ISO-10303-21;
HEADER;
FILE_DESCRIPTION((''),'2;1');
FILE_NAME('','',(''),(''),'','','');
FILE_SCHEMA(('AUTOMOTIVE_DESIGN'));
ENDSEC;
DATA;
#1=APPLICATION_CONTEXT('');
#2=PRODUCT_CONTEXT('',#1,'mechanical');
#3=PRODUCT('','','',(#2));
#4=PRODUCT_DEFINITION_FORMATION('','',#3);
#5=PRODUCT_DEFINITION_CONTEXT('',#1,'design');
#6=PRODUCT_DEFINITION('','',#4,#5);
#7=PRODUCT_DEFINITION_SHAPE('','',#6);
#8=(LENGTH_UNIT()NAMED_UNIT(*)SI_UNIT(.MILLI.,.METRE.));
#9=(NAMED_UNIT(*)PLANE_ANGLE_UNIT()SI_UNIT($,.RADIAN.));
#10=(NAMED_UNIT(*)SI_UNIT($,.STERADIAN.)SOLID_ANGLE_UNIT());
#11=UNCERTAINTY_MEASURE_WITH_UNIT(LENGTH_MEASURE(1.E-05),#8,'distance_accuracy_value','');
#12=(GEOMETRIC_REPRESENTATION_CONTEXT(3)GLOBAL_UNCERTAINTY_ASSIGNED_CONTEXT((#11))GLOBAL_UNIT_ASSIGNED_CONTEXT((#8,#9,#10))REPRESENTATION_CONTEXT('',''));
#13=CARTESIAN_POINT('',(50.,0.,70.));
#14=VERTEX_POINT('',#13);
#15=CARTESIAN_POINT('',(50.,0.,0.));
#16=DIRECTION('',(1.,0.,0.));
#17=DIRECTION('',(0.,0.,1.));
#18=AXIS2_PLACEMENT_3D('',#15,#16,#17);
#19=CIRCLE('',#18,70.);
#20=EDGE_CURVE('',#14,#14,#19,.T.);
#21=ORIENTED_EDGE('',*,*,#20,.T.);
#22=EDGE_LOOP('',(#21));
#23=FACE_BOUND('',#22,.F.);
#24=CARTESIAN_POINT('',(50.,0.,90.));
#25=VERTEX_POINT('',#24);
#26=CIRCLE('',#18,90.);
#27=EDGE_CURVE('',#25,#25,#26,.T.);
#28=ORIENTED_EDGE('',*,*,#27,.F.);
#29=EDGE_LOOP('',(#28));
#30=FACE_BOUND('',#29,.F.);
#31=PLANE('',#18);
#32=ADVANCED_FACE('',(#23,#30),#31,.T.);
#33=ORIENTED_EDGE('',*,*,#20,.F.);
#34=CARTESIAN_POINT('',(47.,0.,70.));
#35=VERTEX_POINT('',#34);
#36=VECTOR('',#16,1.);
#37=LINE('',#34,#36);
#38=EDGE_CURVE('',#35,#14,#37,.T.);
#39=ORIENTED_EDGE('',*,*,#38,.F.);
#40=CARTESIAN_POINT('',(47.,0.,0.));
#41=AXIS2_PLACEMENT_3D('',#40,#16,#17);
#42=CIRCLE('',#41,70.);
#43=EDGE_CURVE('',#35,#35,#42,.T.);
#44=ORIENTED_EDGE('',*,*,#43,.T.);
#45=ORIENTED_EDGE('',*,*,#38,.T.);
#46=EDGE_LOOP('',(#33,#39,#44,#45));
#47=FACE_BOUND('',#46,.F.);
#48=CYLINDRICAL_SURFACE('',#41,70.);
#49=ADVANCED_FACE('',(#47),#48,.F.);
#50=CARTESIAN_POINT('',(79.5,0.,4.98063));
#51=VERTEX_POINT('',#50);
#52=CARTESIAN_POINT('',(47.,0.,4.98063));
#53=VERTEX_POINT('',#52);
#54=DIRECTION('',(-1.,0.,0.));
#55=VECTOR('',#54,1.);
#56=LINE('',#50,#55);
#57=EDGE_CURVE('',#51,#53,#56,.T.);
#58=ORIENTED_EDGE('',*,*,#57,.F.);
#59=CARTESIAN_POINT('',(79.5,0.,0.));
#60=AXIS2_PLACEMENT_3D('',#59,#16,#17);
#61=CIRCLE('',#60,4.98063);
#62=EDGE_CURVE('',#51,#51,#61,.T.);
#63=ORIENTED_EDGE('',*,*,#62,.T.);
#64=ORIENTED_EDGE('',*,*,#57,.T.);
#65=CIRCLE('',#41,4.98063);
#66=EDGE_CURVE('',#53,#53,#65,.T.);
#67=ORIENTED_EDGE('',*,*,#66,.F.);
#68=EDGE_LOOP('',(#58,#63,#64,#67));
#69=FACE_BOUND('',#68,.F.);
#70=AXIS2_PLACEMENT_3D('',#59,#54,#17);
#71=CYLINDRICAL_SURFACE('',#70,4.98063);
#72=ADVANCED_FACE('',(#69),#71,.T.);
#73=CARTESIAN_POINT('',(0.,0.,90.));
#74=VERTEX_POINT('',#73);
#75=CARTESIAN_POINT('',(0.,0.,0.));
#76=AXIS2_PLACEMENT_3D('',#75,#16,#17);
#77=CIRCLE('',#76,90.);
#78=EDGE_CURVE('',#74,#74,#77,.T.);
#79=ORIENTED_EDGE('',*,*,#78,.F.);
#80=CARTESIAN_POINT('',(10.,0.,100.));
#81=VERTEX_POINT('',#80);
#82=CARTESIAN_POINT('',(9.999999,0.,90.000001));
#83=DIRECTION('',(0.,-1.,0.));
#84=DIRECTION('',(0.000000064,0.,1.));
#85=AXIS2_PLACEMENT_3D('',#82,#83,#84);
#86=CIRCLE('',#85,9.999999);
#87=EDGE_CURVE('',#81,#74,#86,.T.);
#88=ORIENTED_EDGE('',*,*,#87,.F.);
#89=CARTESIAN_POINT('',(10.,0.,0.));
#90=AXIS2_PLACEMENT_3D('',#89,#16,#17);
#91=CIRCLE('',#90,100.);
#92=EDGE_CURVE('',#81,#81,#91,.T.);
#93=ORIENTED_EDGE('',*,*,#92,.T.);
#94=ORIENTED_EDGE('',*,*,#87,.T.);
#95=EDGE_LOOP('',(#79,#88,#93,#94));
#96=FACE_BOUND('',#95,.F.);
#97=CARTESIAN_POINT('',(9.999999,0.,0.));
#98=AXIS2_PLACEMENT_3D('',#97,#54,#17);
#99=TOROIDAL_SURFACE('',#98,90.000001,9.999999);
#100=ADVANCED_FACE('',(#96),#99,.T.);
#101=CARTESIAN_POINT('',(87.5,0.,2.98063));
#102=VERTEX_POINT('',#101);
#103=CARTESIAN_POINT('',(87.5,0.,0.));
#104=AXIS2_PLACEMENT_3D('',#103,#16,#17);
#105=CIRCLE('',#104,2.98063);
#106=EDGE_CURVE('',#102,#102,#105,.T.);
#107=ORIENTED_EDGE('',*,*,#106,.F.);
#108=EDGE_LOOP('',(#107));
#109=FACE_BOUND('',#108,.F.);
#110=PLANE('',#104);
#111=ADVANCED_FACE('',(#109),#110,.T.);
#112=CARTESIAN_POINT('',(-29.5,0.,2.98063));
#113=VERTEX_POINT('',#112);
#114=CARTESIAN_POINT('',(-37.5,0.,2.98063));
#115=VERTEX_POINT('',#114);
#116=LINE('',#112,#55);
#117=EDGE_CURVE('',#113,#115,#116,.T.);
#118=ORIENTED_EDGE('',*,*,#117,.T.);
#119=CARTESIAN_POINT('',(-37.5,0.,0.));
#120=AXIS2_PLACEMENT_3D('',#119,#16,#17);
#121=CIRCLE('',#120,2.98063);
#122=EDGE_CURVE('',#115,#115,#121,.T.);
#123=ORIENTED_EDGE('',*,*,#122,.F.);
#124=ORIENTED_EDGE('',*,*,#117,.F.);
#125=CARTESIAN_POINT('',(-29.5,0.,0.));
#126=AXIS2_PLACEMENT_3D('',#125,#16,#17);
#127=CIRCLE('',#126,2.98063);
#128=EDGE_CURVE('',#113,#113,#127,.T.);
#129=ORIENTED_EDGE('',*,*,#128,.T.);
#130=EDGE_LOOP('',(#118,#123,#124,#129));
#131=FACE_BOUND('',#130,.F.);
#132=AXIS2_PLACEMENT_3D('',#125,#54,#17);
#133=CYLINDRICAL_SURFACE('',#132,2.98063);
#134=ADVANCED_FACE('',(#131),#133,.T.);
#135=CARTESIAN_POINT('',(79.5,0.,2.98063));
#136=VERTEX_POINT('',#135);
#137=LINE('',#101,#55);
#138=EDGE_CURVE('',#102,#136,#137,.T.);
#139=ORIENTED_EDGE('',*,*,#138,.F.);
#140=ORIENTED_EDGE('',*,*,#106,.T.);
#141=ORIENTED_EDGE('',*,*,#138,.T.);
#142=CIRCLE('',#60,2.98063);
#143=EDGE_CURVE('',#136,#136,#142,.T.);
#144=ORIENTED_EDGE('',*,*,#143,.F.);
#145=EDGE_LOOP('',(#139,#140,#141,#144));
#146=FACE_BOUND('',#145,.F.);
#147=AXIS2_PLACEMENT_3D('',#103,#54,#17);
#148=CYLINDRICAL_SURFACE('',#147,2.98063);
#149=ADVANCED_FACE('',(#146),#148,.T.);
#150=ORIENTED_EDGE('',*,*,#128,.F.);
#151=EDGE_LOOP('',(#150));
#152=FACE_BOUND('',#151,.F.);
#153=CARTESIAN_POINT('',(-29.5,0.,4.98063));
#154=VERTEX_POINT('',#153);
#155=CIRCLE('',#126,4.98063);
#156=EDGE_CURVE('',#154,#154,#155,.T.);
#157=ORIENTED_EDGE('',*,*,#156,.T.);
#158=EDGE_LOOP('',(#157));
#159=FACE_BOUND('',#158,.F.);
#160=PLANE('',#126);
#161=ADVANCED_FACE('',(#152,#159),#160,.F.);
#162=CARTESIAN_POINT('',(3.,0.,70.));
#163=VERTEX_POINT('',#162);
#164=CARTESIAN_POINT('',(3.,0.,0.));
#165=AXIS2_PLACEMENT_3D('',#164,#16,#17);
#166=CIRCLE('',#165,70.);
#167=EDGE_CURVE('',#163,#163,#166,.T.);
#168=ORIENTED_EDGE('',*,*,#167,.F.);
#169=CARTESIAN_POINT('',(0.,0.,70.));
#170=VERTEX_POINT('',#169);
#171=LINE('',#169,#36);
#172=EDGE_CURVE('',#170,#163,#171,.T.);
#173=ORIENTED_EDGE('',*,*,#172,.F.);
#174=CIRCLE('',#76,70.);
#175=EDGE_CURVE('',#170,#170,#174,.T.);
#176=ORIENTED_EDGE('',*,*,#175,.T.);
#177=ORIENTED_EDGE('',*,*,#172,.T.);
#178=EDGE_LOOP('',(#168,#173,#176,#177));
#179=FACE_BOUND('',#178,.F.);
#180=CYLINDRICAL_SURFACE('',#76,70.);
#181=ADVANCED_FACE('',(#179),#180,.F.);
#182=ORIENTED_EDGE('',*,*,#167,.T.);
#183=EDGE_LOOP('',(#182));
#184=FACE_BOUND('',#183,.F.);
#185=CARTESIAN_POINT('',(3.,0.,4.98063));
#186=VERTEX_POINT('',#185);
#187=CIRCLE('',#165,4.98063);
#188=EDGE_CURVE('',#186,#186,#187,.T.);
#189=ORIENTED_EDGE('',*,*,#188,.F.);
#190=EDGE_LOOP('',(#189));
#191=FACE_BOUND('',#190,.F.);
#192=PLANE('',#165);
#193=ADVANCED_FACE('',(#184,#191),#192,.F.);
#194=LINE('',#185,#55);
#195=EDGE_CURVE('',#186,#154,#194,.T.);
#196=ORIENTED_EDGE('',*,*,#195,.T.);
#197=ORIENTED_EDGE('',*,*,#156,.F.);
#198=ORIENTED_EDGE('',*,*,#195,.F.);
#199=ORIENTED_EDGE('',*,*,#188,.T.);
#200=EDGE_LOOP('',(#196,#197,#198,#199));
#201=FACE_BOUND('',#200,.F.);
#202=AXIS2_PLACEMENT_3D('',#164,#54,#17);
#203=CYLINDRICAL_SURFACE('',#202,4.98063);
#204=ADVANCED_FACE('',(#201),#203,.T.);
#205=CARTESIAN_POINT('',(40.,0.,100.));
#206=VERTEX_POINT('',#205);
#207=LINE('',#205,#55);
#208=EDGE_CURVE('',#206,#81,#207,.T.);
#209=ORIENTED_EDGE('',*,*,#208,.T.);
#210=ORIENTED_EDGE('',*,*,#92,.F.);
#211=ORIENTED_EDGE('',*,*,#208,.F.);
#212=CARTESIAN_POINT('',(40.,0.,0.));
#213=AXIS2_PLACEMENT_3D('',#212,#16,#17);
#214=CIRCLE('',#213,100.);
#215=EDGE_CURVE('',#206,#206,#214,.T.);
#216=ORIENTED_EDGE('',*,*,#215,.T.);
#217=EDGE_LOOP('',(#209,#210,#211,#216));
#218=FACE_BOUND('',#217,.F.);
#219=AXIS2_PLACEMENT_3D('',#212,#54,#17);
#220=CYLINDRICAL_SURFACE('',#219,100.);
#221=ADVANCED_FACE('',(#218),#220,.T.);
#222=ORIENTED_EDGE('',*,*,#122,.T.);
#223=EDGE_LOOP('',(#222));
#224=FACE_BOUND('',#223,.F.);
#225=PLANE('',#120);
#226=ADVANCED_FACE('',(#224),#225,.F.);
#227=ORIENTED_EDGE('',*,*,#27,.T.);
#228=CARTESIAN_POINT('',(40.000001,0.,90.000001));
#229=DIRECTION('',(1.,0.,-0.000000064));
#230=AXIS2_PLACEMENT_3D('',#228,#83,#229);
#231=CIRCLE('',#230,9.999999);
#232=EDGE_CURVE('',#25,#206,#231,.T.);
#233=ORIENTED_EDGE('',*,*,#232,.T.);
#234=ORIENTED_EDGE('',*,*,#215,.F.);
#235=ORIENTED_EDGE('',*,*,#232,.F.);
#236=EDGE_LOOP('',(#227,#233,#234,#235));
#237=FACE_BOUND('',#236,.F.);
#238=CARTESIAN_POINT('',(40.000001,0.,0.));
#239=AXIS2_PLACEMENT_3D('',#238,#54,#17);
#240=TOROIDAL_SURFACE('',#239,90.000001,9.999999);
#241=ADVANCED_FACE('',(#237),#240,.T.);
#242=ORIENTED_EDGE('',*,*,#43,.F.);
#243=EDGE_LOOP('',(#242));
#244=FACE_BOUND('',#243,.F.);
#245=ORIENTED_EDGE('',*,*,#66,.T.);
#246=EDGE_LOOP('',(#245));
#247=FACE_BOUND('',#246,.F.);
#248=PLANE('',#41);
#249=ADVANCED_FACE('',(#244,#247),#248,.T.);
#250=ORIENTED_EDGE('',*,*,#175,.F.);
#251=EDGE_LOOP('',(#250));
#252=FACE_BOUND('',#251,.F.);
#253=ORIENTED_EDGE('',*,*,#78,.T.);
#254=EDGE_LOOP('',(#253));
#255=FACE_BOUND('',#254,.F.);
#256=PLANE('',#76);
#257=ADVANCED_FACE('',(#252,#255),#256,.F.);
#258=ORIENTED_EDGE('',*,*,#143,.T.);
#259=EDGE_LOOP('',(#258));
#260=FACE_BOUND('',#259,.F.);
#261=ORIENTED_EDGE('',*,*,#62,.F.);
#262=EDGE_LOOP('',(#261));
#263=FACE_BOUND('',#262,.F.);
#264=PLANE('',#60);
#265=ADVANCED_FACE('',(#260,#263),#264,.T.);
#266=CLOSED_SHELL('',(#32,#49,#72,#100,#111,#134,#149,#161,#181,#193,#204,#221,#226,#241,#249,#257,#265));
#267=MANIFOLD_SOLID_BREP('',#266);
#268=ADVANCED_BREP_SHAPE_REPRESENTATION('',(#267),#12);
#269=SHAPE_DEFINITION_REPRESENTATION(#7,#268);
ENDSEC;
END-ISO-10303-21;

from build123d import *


with BuildPart() as f1:
    # F0 (on Front) → F1 (revolve)
    with BuildSketch(Plane.XZ):
        with BuildLine():
            Line((0, 90), (0, 70))
            Line((0, 70), (3, 70))
            Line((3, 70), (3, 4.98063))
            Line((3, 4.98063), (-29.5, 4.98063))
            Line((-29.5, 4.98063), (-29.5, 2.98063))
            Line((-29.5, 2.98063), (-37.5, 2.98063))
            Line((-37.5, 2.98063), (-37.5, 0))
            Line((-37.5, 0), (3, 0))
            Line((3, 0), (25, 0))
            Line((25, 0), (47, 0))
            Line((47, 0), (87.5, 0))
            Line((87.5, 0), (87.5, 2.98063))
            Line((87.5, 2.98063), (79.5, 2.98063))
            Line((79.5, 2.98063), (79.5, 4.98063))
            Line((79.5, 4.98063), (47, 4.98063))
            Line((47, 4.98063), (47, 70))
            Line((47, 70), (50, 70))
            Line((50, 70), (50, 90))
            ThreePointArc((50, 90), (47.071068, 97.071068), (40, 100))
            Line((40, 100), (10, 100))
            ThreePointArc((10, 100), (2.928932, 97.071068), (0, 90))
        make_face()
    revolve(axis=Axis((-48.292573, 0, 0), (1, 0, 0)))


solid = f1.part
